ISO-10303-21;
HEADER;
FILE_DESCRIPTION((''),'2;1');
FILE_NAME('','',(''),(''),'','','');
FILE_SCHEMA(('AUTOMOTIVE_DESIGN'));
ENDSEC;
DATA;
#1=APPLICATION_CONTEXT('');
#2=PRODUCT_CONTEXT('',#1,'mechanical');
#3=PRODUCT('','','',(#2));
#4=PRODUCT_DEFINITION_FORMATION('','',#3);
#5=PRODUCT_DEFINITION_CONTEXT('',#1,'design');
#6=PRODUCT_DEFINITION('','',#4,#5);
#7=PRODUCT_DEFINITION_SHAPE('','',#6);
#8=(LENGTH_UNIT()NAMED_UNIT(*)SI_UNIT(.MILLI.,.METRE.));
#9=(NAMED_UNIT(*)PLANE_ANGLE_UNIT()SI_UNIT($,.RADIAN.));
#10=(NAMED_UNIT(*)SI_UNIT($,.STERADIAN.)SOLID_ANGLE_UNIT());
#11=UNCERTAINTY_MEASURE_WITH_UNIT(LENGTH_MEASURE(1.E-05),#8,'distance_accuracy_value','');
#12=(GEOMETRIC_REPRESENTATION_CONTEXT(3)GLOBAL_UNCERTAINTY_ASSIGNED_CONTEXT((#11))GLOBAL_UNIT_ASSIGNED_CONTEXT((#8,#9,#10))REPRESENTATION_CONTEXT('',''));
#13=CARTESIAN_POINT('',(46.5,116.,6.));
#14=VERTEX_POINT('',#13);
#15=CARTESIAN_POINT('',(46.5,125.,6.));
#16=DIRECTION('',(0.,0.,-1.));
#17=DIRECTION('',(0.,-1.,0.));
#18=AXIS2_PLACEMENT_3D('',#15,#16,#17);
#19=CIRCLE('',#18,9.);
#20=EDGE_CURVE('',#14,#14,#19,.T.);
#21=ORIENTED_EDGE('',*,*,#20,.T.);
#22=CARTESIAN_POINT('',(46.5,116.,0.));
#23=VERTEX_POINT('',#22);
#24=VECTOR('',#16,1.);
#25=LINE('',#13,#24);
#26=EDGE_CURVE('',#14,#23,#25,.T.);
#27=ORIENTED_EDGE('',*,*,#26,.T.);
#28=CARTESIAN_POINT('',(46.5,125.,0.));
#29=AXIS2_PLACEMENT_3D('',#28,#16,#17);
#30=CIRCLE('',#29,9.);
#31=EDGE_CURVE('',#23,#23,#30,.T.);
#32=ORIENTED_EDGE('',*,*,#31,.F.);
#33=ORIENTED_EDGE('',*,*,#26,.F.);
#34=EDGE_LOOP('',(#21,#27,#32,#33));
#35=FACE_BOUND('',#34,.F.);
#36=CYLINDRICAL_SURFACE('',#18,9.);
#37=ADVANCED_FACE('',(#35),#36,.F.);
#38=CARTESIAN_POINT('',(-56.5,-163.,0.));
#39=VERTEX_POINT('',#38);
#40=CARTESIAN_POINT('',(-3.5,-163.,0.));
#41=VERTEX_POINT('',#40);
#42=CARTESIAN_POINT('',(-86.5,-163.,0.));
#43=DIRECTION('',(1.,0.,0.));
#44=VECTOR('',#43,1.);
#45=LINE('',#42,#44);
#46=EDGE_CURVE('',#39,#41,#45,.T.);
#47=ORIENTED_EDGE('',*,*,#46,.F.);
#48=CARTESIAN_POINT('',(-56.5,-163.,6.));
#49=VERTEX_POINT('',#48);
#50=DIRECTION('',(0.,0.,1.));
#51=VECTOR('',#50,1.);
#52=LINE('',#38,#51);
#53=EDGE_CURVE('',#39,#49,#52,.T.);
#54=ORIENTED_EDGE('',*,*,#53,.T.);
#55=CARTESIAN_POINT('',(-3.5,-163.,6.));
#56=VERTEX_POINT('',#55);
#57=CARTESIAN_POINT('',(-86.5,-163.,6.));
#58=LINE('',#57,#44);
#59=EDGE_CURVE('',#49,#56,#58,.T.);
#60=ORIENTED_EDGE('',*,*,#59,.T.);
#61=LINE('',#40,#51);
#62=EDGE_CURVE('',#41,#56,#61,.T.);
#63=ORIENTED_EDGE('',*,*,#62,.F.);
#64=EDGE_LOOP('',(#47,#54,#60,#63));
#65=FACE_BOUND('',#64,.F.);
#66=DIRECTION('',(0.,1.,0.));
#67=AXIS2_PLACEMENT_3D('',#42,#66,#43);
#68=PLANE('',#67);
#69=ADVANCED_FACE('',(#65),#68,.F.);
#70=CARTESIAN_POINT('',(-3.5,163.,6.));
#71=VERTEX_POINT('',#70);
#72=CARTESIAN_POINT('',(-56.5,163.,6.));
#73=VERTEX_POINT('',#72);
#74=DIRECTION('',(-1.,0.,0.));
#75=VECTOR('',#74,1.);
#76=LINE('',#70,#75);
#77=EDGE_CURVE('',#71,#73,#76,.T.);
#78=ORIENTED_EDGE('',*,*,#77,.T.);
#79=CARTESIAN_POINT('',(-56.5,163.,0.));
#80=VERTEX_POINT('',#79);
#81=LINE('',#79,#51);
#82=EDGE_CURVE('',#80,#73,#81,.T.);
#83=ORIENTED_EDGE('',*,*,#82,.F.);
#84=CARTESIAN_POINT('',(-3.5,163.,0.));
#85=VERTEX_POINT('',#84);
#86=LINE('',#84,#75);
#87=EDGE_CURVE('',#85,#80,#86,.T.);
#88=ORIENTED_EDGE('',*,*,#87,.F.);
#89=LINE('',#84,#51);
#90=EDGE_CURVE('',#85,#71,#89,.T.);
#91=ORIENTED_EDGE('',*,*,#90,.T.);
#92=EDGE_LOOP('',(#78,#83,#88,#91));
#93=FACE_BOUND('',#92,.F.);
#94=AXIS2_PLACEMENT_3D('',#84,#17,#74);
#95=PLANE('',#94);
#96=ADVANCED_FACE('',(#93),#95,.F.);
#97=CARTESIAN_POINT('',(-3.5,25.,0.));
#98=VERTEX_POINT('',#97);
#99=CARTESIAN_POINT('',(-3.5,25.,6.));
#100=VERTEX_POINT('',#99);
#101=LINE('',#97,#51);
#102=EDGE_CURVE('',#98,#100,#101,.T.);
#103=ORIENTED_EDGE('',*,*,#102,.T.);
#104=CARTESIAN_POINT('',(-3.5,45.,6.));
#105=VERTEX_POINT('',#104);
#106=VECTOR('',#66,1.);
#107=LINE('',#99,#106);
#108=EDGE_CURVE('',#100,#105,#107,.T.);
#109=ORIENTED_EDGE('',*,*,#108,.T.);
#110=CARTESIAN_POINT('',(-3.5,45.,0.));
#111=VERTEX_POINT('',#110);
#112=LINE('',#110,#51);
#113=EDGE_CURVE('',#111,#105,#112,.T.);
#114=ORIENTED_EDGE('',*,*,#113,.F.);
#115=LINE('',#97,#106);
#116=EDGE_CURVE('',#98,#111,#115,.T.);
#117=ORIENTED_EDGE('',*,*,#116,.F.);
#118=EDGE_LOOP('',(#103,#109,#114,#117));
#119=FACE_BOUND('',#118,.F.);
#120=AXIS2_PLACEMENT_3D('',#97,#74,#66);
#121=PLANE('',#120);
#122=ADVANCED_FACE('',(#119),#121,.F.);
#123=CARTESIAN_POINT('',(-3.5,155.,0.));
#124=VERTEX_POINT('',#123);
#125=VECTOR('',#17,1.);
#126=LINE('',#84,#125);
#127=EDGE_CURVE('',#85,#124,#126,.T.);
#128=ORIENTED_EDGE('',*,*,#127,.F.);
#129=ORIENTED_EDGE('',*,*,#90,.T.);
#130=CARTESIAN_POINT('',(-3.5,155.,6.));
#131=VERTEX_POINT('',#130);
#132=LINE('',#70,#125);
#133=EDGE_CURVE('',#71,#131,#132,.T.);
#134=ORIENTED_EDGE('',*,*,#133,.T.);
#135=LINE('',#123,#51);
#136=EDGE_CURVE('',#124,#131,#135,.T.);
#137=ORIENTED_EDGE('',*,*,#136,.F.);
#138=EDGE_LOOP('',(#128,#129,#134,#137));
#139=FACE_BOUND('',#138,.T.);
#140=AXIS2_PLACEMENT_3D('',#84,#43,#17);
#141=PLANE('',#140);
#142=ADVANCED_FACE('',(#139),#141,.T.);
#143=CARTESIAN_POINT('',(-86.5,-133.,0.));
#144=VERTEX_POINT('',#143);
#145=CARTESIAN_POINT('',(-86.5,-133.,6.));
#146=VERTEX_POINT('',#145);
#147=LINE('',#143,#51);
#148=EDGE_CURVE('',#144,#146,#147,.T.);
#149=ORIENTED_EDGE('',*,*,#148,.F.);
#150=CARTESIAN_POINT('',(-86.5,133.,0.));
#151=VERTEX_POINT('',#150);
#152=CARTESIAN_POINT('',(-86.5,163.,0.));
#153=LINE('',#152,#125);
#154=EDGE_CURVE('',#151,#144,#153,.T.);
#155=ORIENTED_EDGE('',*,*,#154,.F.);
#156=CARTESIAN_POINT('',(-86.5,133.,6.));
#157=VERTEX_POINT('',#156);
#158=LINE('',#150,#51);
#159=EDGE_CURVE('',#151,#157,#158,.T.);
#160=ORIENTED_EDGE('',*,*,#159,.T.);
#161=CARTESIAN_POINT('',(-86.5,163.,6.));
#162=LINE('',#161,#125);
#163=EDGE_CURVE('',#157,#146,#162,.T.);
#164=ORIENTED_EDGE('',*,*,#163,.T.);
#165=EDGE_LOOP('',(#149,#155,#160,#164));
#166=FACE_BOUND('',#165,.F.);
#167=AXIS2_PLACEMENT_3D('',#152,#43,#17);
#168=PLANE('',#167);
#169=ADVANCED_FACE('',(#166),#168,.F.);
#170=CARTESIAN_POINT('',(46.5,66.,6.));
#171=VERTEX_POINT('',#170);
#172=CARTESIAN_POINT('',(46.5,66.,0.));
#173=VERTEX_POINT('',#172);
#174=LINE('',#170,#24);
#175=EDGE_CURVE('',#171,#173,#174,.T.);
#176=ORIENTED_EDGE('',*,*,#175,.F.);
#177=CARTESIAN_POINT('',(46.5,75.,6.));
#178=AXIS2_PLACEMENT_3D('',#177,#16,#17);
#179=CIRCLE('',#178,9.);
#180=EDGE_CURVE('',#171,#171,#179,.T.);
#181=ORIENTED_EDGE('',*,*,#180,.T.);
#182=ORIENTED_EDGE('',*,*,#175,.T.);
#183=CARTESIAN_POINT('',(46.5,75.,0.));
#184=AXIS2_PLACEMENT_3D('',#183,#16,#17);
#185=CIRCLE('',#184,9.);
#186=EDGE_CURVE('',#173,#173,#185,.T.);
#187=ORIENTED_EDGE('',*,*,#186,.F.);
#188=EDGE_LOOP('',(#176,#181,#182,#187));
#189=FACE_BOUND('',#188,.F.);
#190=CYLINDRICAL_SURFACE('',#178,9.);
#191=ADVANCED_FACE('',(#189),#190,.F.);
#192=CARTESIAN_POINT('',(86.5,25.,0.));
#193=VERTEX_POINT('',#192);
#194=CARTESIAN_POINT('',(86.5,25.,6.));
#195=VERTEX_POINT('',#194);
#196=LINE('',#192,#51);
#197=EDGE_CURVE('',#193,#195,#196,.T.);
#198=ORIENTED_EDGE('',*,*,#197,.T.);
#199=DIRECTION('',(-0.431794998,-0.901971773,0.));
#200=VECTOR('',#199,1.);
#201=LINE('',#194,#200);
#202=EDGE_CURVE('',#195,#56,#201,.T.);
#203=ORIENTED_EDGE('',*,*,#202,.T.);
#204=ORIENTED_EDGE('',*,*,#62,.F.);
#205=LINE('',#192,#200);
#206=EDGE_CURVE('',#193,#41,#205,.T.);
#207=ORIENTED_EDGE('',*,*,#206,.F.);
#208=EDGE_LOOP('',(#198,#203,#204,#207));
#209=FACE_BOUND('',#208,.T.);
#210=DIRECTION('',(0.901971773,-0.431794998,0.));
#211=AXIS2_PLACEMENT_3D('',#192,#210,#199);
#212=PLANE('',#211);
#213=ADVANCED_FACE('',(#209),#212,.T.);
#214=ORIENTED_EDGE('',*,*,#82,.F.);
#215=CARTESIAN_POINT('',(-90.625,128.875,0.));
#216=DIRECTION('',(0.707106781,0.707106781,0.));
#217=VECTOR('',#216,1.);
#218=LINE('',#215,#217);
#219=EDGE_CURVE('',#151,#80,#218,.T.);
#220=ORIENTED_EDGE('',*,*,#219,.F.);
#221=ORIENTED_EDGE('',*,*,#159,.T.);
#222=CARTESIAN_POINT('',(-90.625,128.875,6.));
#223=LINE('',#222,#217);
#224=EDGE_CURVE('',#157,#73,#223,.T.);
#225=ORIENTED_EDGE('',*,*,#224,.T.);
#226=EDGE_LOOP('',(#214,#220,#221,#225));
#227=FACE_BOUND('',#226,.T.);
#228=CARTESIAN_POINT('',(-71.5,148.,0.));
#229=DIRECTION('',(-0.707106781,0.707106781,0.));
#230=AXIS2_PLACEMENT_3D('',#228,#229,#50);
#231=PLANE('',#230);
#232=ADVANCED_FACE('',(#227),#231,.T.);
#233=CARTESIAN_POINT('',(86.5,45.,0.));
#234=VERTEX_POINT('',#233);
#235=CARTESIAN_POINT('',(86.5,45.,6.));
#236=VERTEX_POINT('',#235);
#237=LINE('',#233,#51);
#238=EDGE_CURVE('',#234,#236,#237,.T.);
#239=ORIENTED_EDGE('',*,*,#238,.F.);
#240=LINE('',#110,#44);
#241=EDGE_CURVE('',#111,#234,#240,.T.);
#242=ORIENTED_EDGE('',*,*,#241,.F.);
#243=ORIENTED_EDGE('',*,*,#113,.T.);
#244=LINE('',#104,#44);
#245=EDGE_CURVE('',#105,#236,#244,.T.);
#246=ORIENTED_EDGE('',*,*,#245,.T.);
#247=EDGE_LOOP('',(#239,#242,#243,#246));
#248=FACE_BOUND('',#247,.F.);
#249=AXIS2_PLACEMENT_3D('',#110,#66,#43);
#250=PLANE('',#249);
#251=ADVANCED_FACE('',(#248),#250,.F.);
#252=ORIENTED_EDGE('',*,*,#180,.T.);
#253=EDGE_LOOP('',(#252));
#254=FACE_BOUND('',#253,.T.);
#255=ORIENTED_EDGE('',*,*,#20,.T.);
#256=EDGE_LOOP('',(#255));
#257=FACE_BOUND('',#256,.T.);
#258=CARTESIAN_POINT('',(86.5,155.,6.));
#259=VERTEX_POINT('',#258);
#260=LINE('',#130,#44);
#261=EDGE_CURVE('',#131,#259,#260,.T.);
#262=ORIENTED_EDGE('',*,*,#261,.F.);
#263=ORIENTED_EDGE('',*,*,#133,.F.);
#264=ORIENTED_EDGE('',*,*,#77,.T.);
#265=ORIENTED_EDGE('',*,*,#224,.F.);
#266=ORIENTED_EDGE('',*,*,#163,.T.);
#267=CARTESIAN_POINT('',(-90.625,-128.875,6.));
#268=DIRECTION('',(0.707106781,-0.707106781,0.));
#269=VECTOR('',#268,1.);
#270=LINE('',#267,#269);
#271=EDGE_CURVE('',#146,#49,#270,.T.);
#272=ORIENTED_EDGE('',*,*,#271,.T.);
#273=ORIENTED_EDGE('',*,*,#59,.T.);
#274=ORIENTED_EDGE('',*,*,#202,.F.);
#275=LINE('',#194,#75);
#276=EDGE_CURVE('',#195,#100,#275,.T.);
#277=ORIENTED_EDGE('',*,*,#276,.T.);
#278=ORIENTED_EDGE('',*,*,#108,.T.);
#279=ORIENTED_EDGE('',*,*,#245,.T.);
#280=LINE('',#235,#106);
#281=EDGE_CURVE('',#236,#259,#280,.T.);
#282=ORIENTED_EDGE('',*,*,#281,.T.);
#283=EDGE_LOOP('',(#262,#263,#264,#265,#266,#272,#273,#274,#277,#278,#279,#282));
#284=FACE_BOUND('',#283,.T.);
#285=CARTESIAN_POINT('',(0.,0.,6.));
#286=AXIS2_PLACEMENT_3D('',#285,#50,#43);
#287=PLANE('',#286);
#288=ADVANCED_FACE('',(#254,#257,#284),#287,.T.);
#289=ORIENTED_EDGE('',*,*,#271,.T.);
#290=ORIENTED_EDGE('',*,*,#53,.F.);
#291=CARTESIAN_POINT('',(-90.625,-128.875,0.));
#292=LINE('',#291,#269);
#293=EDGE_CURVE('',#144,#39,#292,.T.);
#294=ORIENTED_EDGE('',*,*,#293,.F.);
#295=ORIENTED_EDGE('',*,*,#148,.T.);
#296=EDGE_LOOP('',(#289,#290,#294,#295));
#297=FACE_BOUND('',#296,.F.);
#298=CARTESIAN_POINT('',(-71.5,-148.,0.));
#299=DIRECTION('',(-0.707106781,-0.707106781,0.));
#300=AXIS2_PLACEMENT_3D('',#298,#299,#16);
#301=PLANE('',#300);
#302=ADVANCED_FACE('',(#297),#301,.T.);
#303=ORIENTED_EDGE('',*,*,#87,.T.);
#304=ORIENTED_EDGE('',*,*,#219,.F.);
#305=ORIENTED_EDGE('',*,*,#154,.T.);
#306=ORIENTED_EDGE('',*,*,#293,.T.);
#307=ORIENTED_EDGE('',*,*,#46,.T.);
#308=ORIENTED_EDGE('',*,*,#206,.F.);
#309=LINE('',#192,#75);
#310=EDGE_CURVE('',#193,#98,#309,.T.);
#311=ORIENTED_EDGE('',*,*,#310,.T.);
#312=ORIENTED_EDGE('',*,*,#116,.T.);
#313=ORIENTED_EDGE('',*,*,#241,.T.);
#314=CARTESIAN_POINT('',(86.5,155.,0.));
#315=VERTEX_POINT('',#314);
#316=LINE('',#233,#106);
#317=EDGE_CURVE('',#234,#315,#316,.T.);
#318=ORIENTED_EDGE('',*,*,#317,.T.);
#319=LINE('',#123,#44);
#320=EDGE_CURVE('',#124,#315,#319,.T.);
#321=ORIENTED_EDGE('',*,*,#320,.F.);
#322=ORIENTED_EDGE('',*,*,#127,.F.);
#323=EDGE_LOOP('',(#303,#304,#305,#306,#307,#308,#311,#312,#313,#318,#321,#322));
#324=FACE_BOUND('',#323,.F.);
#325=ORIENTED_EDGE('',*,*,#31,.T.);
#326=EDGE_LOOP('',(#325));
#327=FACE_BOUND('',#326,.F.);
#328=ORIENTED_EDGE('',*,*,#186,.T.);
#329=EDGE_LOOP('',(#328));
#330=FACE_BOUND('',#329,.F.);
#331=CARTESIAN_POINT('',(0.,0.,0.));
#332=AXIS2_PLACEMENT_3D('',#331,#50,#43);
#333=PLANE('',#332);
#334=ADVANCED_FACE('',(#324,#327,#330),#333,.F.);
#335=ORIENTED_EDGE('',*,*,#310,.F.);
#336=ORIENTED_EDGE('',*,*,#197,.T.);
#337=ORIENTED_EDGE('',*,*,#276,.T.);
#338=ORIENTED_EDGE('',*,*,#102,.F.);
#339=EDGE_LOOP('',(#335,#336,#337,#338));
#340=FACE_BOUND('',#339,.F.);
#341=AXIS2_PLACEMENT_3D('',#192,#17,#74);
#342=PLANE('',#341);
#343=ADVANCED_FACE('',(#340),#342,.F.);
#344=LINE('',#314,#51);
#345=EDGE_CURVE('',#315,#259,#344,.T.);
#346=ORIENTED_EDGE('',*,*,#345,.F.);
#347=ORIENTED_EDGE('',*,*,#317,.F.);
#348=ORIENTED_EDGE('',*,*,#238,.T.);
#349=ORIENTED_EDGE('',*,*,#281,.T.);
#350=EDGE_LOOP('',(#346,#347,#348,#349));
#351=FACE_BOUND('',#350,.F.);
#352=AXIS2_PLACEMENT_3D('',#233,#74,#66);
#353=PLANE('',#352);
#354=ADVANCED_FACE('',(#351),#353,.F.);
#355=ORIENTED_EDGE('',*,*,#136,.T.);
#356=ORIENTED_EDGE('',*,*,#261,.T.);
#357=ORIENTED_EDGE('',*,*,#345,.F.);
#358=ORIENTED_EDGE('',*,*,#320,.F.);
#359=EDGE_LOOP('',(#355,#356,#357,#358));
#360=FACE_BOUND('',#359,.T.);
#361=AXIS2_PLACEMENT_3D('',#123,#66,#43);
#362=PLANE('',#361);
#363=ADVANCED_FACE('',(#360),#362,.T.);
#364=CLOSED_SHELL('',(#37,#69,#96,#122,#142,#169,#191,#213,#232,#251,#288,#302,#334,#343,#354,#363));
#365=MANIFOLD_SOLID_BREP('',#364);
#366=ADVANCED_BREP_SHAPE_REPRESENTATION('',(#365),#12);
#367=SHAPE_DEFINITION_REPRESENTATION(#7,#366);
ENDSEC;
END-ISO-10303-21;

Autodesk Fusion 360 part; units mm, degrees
sketch "スケッチ1" plane through (0, 0, 0) normal (0, 0, 1) x (1, 0, 0)
  line L0 (-86.5, -163) -> (-3.5, -163)
  line L1 (86.5, 45) -> (86.5, 155)
  line L2 (-3.5, 163) -> (-86.5, 163)
  line L3 (-86.5, 163) -> (-86.5, -163)
  line L4 (-86.5, -163) -> (82.2546, 155) construction
  line L5 (39.184, -73.838) -> (-86.5, 163) construction
  line L6 (-3.5, 163) -> (-3.5, 155)
  line L7 (-3.5, 155) -> (86.5, 155)
  line L8 (-86.5, -163) -> (-3.5, -163) construction
  line L9 (86.5, 25) -> (-3.5, -163)
  line L10 (86.5, 25) -> (-3.5, 25)
  line L11 (-3.5, 25) -> (-3.5, 45)
  line L12 (-3.5, 45) -> (86.5, 45)
  dimension "d5" = 83
  dimension "d7" = 90
  dimension "d8" = 20
extrude "押し出し1" add sketch "スケッチ1" along normal blind 6
chamfer "面取り1" distance 30 angle 45 2 edges at (-86.5, -163, 3) (-86.5, 163, 3)
sketch "スケッチ2" plane through (0, 0, 6) normal (0, 0, 1) x (-1, 0, 0)
  line L0 (56.5, -163) -> (86.5, -133)
  line L1 (86.5, -133) -> (86.5, 133)
  line L2 (86.5, 133) -> (56.5, 163)
  line L3 (56.5, 163) -> (3.5, 163)
  line L4 (3.5, 163) -> (-86.5, -25)
  line L5 (-86.5, -25) -> (3.5, -25)
  line L6 (3.5, -25) -> (3.5, -45)
  line L7 (3.5, -45) -> (-86.5, -45)
  line L8 (-86.5, -45) -> (-86.5, -155)
  line L9 (-86.5, -155) -> (3.5, -155)
  line L10 (3.5, -155) -> (3.5, -163)
  line L11 (3.5, -163) -> (56.5, -163)
  line L12 (-86.5, -155) -> (-46.5, -155) construction
  line L13 (-46.5, -155) -> (-46.5, -125) construction
  line L14 (-46.5, -125) -> (-86.5, -125) construction
  line L15 (-86.5, -125) -> (-86.5, -155) construction
  line L16 (-46.5, -125) -> (-46.5, -75) construction
  point P0 (-46.5, -125)
  point P1 (-46.5, -75)
  dimension "d12" = 40
  dimension "d13" = 30
  dimension "d14" = 50
hole "穴1" at (46.5, 125, 6) at (46.5, 75, 6) direction (0, 0, -1) diameter 18 end through all
equation "d5 = 30 mm + 53 mm"
